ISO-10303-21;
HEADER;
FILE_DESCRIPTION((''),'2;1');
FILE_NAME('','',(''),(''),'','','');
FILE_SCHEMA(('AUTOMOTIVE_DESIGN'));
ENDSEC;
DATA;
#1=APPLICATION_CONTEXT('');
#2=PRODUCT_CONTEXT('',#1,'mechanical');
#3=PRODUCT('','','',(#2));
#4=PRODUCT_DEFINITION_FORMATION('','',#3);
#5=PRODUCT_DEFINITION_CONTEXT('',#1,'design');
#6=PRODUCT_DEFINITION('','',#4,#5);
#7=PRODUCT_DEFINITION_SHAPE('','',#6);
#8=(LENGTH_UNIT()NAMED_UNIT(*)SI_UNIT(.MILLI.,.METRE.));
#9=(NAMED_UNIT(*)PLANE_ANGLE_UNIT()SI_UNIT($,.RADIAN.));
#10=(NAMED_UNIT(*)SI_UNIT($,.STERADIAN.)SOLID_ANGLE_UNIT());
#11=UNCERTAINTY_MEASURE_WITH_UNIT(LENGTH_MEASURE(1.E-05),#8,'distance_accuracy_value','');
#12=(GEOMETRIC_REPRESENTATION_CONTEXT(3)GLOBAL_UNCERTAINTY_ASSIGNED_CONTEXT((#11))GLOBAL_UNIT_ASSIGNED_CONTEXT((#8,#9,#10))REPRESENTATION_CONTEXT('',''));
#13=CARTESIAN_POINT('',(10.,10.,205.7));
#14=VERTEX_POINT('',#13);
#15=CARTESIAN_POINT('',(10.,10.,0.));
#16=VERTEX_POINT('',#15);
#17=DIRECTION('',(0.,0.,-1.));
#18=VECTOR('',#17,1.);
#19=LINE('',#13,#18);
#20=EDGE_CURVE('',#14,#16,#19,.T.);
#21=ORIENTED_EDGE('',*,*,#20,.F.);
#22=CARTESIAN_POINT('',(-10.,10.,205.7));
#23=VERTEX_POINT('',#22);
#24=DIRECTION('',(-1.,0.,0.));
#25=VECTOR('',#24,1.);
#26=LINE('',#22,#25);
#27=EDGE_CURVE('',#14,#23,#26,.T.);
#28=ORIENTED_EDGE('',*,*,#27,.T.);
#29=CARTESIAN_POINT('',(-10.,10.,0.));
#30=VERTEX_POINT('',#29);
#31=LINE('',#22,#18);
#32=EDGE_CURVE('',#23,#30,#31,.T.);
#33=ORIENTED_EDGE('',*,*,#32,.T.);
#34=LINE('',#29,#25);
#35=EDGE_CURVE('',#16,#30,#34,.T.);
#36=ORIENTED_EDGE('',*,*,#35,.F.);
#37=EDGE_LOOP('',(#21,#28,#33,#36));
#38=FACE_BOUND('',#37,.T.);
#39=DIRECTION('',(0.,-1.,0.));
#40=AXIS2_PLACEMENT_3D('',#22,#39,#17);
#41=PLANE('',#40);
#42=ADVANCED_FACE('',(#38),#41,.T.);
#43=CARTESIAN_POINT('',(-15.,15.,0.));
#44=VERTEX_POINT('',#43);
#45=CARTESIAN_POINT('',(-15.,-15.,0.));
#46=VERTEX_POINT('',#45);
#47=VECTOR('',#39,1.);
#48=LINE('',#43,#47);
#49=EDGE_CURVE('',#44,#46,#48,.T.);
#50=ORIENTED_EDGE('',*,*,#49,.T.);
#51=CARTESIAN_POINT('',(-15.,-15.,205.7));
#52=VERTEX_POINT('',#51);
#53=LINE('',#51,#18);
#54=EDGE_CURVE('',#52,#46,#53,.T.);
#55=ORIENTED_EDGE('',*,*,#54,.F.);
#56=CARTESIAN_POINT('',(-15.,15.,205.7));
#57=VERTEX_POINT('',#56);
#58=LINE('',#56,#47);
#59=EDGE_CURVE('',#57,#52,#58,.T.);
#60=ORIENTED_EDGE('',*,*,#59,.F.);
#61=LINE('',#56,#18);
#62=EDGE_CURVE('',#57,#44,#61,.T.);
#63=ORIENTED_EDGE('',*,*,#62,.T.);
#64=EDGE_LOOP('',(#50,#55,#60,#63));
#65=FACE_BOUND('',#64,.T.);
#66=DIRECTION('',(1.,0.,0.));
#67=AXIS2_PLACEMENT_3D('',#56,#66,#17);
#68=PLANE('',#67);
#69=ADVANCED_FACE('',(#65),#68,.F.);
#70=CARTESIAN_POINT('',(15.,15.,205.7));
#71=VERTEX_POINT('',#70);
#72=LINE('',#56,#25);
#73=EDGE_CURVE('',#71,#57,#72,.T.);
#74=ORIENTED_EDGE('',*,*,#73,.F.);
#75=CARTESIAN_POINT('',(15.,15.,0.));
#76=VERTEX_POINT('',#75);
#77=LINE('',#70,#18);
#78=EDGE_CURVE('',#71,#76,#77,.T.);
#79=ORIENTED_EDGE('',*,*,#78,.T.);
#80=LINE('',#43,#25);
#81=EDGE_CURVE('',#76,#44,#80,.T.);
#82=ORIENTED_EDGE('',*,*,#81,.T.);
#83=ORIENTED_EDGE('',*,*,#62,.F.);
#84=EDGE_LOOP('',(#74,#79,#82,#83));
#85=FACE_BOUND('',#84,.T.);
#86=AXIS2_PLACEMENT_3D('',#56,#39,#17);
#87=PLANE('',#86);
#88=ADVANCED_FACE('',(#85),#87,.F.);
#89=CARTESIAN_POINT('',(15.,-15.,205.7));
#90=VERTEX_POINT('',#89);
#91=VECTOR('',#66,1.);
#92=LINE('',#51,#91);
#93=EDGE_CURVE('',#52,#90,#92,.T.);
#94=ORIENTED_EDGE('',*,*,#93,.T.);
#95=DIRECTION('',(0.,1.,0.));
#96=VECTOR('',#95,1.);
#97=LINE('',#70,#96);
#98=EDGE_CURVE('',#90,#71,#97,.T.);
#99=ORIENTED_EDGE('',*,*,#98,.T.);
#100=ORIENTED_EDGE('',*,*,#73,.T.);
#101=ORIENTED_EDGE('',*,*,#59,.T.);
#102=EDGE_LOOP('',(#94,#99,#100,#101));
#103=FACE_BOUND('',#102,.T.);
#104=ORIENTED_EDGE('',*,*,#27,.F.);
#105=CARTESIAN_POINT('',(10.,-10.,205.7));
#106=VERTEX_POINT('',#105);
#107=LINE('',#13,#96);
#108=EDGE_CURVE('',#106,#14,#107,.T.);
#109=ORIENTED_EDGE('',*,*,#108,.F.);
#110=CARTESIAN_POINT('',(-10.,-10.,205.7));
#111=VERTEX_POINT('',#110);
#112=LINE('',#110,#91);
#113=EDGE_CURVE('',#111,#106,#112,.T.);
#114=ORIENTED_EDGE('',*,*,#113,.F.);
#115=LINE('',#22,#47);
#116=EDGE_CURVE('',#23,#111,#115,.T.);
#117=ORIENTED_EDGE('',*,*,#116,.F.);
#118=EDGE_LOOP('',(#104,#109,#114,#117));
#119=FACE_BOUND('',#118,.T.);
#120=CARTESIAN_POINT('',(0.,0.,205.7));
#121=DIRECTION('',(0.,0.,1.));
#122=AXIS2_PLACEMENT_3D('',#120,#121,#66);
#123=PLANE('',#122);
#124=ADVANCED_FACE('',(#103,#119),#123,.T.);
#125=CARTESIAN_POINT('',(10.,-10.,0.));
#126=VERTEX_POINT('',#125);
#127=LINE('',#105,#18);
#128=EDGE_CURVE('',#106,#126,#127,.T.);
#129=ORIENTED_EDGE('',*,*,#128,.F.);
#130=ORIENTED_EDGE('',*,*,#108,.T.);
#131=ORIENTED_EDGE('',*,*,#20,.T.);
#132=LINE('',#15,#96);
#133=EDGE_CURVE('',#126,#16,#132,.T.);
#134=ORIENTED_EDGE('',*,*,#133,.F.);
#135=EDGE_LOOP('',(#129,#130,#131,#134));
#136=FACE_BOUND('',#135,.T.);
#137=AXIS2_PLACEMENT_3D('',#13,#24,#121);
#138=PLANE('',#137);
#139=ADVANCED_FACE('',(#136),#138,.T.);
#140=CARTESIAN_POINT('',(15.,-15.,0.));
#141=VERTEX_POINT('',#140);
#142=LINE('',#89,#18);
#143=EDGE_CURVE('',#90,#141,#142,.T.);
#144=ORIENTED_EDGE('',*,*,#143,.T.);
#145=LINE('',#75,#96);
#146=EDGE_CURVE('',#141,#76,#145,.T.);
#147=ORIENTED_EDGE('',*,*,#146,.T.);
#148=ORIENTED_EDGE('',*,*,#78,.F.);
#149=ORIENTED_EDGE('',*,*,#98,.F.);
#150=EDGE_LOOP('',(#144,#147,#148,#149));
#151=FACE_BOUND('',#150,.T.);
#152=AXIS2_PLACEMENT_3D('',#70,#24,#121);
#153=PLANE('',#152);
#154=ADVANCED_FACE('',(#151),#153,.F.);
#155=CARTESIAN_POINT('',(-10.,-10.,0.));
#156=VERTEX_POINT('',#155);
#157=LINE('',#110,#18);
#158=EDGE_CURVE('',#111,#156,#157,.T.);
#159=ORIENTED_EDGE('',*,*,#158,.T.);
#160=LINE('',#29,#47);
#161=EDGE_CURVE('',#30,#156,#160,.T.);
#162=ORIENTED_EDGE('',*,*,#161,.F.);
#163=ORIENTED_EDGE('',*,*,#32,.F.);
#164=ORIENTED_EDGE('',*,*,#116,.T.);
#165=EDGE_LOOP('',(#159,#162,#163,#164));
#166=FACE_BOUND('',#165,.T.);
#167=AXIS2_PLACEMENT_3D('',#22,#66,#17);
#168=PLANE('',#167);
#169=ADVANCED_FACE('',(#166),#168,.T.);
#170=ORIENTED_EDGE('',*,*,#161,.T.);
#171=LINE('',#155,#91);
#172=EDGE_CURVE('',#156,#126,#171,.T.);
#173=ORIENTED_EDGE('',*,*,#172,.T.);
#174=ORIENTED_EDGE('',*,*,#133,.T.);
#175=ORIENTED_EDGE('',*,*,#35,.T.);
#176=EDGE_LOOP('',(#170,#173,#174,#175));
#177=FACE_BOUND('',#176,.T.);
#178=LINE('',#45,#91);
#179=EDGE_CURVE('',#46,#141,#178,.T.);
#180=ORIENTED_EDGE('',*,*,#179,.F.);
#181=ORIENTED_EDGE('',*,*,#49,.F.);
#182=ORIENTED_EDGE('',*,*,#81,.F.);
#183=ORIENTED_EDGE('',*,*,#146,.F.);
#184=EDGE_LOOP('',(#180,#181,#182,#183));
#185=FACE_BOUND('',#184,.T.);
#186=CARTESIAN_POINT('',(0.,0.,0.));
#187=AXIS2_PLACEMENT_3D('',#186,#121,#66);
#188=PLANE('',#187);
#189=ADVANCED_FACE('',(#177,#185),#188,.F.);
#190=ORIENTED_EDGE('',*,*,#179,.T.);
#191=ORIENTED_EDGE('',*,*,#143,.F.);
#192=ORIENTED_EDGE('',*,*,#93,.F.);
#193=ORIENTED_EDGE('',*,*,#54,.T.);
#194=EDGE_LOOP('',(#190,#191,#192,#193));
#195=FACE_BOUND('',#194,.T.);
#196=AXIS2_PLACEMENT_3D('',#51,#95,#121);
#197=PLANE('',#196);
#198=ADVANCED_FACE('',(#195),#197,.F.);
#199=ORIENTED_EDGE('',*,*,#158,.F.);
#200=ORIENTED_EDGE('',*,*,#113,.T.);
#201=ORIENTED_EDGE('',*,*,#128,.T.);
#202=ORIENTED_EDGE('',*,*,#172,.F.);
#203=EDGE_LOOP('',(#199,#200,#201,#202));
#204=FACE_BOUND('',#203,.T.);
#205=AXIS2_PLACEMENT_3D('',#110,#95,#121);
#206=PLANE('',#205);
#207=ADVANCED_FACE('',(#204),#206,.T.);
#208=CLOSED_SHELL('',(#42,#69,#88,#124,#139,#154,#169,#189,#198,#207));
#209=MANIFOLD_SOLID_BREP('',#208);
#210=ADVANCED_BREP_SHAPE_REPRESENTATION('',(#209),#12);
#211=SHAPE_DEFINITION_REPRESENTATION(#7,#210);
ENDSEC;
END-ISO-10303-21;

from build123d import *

# Parameters (mm, degrees)
SKETCH1_W           = 30
SKETCH1_H           = 30
SKETCH1_W_2         = 20
SKETCH1_H_2         = 20
BOSS_EXTRUDE1_DEPTH = 205.7


with BuildPart() as part:
    # Sketch1 → Boss-Extrude1 (new body)
    with BuildSketch(Plane.XY):
        Rectangle(SKETCH1_W, SKETCH1_H)
        Rectangle(SKETCH1_W_2, SKETCH1_H_2, mode=Mode.SUBTRACT)
    extrude(amount=BOSS_EXTRUDE1_DEPTH)


solid = part.part
